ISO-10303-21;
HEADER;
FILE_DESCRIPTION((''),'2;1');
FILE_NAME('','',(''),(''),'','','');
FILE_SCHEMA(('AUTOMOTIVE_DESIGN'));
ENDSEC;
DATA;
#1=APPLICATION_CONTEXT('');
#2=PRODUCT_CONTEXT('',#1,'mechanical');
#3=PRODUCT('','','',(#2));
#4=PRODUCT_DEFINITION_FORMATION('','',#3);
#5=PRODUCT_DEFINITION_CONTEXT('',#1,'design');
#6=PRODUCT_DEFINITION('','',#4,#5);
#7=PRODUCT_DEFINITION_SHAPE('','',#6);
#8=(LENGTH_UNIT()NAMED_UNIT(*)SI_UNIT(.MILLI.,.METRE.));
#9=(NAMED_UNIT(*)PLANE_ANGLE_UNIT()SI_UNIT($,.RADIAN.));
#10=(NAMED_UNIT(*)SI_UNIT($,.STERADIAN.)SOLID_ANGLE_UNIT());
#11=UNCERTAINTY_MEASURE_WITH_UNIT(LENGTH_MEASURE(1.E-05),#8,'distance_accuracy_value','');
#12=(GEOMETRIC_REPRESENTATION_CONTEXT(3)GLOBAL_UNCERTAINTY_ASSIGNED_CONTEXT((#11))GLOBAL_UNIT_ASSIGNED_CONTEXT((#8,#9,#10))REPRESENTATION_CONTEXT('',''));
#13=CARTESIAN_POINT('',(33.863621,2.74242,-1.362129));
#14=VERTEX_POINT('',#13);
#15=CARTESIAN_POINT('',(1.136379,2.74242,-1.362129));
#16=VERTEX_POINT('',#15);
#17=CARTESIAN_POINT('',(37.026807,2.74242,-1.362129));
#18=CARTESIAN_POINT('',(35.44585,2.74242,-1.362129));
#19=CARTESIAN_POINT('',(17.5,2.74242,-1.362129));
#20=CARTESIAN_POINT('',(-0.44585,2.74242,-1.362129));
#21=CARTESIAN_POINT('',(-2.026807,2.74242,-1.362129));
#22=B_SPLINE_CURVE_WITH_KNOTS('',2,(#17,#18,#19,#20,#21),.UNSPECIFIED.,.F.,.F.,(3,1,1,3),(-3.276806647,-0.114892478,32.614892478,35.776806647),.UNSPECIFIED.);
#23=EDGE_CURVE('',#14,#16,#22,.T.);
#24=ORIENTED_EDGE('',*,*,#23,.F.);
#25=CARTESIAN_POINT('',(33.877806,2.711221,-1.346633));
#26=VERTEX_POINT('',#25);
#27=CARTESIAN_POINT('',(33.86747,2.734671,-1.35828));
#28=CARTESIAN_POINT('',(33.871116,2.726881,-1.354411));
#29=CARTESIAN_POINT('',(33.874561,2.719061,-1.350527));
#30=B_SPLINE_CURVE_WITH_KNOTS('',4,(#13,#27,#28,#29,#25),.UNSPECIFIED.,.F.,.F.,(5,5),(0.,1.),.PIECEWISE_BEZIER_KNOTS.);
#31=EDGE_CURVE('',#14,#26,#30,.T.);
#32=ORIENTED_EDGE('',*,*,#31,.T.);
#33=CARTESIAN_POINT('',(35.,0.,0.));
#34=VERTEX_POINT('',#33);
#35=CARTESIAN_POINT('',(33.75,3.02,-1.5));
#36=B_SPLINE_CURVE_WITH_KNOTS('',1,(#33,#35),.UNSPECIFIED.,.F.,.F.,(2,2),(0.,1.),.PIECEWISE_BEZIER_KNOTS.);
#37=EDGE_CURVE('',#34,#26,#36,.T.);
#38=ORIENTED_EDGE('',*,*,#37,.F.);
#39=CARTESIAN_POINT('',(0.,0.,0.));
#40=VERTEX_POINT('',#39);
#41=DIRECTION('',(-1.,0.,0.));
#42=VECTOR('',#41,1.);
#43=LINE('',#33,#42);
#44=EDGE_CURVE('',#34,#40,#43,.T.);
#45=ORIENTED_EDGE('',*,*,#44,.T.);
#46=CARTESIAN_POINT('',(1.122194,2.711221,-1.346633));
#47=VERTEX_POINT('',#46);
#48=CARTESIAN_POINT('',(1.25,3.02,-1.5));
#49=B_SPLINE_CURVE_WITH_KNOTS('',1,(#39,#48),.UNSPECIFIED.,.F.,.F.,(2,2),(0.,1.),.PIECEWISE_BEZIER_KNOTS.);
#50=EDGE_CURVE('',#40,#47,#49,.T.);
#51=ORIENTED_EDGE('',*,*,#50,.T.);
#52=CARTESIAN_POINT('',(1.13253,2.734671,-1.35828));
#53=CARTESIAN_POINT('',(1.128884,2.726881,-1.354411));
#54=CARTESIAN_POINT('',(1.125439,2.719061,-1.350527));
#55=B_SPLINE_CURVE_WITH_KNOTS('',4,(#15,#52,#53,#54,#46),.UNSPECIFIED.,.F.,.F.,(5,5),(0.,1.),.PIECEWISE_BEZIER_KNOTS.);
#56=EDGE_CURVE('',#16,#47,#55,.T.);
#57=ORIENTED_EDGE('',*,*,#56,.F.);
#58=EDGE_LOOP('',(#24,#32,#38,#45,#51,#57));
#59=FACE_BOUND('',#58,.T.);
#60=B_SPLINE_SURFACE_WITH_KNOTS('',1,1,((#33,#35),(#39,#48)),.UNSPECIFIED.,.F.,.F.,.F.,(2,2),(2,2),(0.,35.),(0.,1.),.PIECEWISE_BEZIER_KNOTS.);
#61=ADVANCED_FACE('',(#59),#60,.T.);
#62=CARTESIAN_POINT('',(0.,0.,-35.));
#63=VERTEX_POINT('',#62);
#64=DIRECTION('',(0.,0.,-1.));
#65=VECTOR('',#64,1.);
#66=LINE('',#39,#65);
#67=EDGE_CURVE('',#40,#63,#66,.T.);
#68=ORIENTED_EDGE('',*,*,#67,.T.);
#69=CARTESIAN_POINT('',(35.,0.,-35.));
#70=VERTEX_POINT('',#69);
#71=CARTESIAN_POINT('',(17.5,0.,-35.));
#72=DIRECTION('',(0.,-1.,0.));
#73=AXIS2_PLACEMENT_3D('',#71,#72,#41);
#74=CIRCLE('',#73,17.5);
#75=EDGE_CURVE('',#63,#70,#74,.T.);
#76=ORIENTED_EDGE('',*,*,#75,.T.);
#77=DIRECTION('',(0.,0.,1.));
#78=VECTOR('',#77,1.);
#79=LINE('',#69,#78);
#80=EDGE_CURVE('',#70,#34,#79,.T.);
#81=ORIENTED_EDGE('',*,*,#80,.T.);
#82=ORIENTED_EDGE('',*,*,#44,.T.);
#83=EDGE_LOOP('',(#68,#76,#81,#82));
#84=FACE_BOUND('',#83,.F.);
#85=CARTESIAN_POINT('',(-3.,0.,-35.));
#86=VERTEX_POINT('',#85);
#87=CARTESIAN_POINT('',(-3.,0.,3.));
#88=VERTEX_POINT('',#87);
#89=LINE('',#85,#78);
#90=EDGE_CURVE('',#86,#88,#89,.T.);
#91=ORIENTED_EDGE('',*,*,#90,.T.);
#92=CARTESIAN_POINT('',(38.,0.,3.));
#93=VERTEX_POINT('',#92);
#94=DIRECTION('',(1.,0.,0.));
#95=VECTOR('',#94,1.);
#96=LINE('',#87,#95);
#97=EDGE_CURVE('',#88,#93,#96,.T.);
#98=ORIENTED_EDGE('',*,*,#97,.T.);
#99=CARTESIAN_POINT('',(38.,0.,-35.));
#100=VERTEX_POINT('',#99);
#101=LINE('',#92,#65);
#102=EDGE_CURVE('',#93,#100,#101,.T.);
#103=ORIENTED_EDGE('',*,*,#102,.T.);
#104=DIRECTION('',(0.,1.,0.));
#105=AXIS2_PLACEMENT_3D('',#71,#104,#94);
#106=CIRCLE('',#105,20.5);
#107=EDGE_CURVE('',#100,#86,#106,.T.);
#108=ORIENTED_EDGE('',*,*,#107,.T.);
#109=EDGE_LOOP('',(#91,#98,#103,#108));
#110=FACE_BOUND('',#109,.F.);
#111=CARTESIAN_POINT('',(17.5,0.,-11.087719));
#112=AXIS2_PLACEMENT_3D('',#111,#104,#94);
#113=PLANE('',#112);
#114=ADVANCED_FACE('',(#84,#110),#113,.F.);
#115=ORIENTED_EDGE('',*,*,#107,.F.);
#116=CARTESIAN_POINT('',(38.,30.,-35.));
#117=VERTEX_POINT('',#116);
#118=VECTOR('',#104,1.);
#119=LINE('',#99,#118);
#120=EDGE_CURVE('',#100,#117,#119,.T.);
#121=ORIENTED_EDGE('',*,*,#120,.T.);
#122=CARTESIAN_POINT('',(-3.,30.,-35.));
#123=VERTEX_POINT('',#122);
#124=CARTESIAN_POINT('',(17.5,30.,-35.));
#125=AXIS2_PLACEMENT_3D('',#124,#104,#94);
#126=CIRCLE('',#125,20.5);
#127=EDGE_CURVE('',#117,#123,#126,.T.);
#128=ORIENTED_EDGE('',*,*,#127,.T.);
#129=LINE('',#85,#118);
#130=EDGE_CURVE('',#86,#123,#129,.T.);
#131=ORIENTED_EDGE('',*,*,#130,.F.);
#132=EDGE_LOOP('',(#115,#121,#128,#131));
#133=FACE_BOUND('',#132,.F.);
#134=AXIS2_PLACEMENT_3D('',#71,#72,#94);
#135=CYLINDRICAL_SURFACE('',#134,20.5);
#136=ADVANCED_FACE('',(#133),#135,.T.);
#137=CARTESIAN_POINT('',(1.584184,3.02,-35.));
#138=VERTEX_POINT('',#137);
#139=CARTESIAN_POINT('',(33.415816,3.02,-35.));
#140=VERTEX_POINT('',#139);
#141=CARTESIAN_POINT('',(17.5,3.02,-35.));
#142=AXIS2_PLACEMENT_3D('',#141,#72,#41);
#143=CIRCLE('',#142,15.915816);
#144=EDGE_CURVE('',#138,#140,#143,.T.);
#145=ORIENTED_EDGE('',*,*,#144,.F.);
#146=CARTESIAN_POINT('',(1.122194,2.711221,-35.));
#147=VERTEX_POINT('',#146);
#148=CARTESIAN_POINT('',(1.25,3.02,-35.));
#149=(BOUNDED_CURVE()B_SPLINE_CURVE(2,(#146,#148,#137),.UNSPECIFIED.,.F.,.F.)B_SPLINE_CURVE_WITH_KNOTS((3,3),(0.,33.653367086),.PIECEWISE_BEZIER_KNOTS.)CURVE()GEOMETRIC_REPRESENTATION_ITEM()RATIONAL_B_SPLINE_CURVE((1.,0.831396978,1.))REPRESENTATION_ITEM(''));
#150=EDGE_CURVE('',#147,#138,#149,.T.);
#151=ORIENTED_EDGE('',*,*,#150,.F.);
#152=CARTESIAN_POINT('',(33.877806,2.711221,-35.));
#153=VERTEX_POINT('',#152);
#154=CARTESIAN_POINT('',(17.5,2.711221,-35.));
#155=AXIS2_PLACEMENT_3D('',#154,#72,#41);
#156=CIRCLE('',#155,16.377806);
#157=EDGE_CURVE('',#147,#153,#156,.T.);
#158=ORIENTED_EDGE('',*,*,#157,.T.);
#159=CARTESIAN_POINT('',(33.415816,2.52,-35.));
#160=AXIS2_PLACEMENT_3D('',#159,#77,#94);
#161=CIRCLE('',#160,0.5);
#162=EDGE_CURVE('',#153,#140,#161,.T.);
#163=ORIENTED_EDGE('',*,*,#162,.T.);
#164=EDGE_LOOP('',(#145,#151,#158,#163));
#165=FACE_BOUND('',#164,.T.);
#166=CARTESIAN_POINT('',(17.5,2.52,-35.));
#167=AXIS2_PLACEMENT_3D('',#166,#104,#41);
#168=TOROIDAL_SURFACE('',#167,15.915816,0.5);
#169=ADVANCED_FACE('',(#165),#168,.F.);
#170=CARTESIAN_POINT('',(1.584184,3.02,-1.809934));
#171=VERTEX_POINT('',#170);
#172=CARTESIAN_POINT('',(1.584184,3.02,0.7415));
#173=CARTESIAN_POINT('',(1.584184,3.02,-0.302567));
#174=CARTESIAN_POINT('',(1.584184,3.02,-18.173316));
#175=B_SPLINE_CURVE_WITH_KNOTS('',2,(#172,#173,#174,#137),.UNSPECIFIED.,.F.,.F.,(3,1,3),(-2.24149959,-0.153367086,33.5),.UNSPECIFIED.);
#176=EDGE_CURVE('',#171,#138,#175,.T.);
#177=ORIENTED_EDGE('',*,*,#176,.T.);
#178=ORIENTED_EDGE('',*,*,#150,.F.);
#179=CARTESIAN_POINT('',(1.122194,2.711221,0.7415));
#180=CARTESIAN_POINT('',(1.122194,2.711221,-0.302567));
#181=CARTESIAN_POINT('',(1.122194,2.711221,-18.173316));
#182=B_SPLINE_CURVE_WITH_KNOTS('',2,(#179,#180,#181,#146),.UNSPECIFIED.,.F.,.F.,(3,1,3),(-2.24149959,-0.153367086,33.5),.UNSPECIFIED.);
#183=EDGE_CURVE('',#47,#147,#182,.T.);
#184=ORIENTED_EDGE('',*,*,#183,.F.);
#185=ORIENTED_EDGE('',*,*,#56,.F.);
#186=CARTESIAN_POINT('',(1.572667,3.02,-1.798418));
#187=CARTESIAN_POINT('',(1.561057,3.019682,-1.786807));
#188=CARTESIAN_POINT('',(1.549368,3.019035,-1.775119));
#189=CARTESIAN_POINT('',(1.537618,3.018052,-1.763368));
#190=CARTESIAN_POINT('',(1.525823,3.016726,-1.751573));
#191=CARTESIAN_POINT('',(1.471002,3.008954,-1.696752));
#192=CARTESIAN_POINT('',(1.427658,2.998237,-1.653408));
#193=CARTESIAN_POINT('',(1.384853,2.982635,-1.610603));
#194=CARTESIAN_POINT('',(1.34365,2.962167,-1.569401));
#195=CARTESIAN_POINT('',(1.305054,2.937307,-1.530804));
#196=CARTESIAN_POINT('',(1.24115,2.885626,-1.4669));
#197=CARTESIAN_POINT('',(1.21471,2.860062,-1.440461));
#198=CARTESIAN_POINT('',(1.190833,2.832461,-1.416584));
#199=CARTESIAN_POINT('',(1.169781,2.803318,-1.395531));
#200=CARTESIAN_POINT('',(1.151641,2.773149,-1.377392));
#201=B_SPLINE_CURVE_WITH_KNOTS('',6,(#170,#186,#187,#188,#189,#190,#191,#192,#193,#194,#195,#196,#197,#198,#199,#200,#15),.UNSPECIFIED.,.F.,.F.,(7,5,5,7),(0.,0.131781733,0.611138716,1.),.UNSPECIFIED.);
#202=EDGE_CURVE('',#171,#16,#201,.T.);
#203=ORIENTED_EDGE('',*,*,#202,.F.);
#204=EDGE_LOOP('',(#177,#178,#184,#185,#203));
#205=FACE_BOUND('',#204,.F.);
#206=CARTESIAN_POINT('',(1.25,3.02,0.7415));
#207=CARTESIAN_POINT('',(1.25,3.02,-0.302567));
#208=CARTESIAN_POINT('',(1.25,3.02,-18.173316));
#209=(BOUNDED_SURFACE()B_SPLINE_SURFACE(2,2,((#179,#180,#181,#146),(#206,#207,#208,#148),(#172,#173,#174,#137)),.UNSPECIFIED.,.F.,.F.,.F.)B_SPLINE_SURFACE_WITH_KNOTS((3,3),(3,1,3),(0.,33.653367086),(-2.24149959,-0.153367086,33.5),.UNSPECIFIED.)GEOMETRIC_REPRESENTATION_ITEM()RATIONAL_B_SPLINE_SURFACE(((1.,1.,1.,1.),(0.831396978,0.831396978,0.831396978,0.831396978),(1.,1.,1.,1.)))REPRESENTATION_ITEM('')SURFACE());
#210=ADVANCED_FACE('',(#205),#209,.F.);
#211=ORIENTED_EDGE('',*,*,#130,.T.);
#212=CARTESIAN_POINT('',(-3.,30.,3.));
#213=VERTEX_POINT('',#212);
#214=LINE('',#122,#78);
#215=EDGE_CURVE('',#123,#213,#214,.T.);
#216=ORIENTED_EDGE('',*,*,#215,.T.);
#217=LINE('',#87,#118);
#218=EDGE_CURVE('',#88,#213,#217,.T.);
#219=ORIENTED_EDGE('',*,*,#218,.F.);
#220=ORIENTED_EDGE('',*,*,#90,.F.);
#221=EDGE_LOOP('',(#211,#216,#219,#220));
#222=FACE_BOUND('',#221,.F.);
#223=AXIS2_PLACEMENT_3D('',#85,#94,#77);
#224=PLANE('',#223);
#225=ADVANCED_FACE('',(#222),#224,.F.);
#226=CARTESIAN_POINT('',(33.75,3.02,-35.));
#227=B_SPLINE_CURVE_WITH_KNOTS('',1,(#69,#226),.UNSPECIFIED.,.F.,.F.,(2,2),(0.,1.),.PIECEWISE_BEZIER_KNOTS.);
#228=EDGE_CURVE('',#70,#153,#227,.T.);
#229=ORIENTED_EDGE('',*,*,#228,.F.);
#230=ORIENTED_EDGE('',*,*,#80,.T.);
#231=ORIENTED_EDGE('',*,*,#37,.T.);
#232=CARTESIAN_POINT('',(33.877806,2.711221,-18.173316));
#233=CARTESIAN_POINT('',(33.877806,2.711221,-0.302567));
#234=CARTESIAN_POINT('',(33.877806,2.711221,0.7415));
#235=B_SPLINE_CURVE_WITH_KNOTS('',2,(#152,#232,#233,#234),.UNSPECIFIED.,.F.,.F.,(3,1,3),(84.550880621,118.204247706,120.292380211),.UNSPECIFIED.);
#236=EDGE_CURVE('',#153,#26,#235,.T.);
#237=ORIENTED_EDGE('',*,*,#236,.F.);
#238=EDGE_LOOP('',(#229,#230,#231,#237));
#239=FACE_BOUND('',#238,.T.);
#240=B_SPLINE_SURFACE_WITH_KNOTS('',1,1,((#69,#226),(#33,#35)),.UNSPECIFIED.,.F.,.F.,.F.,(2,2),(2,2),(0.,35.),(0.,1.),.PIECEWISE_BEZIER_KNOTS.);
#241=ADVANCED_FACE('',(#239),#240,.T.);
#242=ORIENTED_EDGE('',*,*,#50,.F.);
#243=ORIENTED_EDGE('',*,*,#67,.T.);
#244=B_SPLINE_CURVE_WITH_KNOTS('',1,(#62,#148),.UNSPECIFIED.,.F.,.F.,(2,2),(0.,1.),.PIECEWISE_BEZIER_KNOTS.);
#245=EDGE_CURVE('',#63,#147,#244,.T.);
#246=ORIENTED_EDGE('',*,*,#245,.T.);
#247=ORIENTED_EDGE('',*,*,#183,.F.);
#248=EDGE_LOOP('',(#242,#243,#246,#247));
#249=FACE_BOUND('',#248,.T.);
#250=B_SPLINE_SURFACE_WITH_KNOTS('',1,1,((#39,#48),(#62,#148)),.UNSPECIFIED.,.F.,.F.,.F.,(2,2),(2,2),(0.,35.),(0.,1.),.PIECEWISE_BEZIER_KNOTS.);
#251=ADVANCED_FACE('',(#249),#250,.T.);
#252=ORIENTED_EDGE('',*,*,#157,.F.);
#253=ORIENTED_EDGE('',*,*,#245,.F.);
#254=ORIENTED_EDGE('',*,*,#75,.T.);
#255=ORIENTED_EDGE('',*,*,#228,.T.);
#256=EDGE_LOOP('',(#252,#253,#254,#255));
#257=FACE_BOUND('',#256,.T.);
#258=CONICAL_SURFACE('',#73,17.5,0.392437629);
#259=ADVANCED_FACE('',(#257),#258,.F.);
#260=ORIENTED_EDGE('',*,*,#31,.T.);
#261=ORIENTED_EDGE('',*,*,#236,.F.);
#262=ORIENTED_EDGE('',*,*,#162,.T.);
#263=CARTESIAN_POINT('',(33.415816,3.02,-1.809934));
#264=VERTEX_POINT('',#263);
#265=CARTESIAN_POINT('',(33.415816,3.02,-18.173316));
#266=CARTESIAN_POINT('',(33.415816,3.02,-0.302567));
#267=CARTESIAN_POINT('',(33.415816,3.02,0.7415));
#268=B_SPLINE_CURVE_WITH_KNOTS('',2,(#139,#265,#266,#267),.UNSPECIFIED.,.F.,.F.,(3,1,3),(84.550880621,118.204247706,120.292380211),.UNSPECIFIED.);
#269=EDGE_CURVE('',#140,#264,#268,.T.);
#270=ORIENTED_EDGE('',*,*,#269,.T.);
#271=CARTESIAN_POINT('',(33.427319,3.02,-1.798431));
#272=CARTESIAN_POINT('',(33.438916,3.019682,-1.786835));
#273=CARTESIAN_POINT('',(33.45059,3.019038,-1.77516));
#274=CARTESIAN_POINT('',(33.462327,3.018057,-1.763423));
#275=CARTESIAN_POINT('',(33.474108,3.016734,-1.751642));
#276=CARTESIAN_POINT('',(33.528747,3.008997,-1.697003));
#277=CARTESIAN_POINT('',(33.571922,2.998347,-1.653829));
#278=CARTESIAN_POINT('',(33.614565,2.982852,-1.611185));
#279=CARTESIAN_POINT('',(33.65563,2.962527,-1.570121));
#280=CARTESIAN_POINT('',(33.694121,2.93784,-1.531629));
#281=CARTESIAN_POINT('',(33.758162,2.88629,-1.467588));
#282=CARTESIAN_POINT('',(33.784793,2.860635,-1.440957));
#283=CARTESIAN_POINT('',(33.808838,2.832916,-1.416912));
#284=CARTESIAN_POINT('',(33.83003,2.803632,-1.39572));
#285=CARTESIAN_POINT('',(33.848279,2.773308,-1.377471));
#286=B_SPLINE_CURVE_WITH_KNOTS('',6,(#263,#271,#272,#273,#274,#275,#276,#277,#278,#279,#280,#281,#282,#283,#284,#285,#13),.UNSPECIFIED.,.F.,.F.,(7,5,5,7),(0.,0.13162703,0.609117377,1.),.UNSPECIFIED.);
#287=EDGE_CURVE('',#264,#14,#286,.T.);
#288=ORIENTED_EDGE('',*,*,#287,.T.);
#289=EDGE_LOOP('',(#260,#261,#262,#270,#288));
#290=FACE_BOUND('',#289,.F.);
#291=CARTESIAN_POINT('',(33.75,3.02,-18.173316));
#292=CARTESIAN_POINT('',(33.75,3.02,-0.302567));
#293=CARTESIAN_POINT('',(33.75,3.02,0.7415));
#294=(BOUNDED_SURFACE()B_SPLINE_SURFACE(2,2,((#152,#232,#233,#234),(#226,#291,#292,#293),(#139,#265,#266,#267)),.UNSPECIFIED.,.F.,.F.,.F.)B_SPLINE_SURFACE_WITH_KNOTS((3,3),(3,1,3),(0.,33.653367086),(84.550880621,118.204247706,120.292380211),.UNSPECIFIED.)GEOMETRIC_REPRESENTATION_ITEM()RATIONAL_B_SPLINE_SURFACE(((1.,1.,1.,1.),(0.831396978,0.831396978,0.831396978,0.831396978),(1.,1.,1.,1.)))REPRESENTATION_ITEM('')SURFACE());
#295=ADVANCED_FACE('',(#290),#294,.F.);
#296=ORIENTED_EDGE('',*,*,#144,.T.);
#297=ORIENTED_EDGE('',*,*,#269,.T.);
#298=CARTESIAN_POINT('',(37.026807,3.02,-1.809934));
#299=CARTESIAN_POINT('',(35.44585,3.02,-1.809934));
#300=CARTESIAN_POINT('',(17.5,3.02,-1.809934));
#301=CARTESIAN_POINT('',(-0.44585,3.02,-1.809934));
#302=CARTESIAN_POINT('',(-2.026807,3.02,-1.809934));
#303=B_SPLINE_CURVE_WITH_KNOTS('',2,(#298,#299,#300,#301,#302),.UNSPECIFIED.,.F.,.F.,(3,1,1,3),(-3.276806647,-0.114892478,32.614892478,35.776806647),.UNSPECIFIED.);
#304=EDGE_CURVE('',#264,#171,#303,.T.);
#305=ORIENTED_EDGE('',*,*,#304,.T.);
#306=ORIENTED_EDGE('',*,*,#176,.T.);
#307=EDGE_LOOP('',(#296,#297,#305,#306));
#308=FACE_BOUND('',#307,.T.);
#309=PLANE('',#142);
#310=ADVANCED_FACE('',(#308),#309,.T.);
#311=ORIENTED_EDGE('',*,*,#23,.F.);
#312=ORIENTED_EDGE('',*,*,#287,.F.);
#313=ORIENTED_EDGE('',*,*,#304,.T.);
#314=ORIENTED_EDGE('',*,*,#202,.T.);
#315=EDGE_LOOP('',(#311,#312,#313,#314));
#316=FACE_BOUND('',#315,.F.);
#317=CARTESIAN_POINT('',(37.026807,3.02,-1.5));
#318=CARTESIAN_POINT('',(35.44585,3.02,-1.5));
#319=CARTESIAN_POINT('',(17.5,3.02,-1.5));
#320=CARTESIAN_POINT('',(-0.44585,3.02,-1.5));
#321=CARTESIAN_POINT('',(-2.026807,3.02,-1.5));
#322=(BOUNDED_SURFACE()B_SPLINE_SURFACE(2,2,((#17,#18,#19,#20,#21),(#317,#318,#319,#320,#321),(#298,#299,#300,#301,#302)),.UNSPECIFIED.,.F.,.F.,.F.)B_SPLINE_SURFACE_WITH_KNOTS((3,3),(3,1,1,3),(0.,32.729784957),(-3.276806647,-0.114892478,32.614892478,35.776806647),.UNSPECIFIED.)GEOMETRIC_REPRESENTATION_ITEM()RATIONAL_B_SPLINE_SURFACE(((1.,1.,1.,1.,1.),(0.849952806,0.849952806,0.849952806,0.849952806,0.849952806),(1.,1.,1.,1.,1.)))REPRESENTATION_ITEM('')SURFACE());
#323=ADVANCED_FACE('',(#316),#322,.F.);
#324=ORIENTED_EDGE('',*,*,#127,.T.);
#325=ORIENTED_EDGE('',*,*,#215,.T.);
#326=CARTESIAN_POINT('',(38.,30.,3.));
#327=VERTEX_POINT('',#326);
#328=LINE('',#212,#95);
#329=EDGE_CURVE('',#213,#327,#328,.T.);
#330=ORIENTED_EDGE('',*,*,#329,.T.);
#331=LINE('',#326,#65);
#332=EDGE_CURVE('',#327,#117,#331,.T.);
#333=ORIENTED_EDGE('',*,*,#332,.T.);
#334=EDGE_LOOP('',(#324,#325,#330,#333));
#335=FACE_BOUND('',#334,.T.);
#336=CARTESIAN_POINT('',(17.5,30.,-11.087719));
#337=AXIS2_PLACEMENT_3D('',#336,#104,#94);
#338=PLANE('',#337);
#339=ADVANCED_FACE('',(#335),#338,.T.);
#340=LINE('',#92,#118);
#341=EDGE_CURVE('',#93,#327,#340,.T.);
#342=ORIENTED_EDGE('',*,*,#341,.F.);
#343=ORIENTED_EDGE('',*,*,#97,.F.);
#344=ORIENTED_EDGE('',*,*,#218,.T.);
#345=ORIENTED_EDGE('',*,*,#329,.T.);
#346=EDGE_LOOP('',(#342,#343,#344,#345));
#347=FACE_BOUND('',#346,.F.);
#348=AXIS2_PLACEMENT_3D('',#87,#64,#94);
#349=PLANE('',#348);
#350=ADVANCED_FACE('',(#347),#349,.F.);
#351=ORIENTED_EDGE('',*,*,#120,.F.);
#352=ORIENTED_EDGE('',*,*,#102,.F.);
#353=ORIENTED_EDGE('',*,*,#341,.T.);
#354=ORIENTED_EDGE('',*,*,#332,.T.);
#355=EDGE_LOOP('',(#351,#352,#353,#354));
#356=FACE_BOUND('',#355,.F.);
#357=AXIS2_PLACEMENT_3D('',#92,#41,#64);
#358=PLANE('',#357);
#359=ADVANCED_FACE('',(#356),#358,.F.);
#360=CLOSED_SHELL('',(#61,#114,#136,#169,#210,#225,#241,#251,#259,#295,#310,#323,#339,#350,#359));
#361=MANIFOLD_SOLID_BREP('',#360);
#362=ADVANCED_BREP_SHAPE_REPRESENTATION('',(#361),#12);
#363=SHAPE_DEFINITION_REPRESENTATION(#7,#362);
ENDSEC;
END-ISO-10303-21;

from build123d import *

# Parameters (mm, degrees)
BOSS_EXTRUDE1_DEPTH = 30
FILLET1_R           = 0.5


with BuildPart() as part:
    # Sketch2 → Boss-Extrude1 (new body)
    with BuildSketch(Plane(origin=(0, 0, 0), x_dir=(1, 0, 0), z_dir=(0, 1, 0))):
        with BuildLine():
            ThreePointArc((38, 35), (17.5, 55.5), (-3, 35))
            Line((-3, 35), (-3, -3))
            Line((-3, -3), (38, -3))
            Line((38, -3), (38, 35))
        make_face()
    extrude(amount=BOSS_EXTRUDE1_DEPTH)

    # Sketch2<9> → Cut-Loft1 section 0
    with BuildSketch(Plane(origin=(0, 0, 0), x_dir=(1, 0, 0), z_dir=(0, 1, 0))):
        with BuildLine():
            Line((0, 0), (0, 35))
            ThreePointArc((0, 35), (17.5, 52.5), (35, 35))
            Line((35, 35), (35, 0))
            Line((35, 0), (0, 0))
        make_face()
    # Sketch3 → Cut-Loft1 section 1
    with BuildSketch(Plane(origin=(0, 3.02, 0), x_dir=(-1, 0, 0), z_dir=(0, -1, 0))):
        with BuildLine():
            Line((-33.75, 1.5), (-1.25, 1.5))
            Line((-1.25, 1.5), (-1.25, 35))
            ThreePointArc((-1.25, 35), (-17.5, 51.25), (-33.75, 35))
            Line((-33.75, 35), (-33.75, 1.5))
        make_face()
    loft(mode=Mode.SUBTRACT)

    # Fillet1
    fillet1_edges = [part.edges().sort_by_distance(p)[0] for p in [
        (1.25, 3.02, -18.25),
        (33.75, 3.02, -18.25),
        (17.5, 3.02, -1.5),
        (17.5, 3.02, -51.25),
    ]]
    fillet(fillet1_edges, radius=FILLET1_R)


solid = part.part
